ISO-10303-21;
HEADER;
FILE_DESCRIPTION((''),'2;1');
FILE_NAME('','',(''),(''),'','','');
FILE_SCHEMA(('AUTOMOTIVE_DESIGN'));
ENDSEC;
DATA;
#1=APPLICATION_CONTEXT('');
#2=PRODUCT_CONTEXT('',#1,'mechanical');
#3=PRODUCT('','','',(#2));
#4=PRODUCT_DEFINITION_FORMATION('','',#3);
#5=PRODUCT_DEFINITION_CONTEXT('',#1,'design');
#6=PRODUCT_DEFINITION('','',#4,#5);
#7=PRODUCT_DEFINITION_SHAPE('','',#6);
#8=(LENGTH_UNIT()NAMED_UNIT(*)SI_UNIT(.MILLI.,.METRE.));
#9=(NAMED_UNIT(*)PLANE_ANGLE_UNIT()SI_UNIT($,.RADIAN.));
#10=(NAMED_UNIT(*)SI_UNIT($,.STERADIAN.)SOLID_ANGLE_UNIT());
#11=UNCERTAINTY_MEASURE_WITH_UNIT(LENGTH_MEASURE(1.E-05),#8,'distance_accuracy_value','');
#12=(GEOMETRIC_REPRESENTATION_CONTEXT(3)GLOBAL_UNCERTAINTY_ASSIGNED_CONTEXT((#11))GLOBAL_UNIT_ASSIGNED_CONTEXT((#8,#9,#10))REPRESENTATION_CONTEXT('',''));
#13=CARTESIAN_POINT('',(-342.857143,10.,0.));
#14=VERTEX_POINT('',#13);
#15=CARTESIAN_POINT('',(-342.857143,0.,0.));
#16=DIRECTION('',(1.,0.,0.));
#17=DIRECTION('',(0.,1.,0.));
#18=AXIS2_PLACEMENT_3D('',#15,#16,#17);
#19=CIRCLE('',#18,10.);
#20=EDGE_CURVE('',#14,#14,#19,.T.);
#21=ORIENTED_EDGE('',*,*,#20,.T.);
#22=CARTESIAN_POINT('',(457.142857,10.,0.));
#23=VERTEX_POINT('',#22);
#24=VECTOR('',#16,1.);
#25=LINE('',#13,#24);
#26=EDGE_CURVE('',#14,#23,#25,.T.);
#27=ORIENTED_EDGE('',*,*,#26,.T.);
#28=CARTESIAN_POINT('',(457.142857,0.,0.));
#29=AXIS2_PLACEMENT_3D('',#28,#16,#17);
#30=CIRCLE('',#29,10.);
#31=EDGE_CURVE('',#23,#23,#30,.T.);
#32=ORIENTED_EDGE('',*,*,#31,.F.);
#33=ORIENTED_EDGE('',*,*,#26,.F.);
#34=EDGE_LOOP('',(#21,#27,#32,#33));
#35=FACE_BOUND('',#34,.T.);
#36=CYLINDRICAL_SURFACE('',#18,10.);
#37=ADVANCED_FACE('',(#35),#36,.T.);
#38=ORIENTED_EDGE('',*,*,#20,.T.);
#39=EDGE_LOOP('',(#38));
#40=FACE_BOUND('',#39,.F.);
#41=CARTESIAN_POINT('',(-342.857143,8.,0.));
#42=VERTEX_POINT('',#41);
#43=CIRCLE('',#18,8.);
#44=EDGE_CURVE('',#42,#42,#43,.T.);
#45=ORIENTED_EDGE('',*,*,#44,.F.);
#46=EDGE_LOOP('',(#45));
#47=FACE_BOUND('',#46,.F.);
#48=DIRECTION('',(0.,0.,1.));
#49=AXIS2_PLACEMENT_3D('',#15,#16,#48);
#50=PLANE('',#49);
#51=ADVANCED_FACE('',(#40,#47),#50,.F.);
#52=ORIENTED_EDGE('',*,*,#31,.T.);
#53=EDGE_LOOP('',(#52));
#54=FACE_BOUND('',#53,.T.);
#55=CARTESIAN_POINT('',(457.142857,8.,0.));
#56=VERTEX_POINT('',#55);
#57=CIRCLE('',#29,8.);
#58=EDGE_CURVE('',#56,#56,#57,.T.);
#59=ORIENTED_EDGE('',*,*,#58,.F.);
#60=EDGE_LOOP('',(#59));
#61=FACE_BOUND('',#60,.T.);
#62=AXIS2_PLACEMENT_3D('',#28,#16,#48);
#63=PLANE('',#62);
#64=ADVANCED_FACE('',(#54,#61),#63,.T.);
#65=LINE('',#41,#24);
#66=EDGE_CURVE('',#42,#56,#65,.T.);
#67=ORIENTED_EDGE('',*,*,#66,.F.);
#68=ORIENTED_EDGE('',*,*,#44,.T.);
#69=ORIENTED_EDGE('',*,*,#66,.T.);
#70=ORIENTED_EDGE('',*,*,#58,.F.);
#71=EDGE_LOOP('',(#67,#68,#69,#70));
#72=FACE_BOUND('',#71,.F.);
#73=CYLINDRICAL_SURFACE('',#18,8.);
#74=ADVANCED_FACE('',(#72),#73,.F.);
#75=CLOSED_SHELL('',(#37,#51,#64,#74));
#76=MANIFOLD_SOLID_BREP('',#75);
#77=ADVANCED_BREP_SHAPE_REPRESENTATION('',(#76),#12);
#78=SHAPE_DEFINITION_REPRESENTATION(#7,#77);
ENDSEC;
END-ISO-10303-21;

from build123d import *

# Parameters (mm, degrees)
F1_R   = 10
F1_R_2 = 8


with BuildPart() as f2:
    # F2: sweep along a path in F0
    with BuildLine(Plane.XY) as f2_path:
        Line((-342.857143, 0), (457.142857, 0))
    # F1 (on Right) → F2 (sweep)
    with BuildSketch(Plane.YZ):
        Circle(F1_R)
        Circle(F1_R_2, mode=Mode.SUBTRACT)
    sweep(path=f2_path.line)


solid = f2.part
